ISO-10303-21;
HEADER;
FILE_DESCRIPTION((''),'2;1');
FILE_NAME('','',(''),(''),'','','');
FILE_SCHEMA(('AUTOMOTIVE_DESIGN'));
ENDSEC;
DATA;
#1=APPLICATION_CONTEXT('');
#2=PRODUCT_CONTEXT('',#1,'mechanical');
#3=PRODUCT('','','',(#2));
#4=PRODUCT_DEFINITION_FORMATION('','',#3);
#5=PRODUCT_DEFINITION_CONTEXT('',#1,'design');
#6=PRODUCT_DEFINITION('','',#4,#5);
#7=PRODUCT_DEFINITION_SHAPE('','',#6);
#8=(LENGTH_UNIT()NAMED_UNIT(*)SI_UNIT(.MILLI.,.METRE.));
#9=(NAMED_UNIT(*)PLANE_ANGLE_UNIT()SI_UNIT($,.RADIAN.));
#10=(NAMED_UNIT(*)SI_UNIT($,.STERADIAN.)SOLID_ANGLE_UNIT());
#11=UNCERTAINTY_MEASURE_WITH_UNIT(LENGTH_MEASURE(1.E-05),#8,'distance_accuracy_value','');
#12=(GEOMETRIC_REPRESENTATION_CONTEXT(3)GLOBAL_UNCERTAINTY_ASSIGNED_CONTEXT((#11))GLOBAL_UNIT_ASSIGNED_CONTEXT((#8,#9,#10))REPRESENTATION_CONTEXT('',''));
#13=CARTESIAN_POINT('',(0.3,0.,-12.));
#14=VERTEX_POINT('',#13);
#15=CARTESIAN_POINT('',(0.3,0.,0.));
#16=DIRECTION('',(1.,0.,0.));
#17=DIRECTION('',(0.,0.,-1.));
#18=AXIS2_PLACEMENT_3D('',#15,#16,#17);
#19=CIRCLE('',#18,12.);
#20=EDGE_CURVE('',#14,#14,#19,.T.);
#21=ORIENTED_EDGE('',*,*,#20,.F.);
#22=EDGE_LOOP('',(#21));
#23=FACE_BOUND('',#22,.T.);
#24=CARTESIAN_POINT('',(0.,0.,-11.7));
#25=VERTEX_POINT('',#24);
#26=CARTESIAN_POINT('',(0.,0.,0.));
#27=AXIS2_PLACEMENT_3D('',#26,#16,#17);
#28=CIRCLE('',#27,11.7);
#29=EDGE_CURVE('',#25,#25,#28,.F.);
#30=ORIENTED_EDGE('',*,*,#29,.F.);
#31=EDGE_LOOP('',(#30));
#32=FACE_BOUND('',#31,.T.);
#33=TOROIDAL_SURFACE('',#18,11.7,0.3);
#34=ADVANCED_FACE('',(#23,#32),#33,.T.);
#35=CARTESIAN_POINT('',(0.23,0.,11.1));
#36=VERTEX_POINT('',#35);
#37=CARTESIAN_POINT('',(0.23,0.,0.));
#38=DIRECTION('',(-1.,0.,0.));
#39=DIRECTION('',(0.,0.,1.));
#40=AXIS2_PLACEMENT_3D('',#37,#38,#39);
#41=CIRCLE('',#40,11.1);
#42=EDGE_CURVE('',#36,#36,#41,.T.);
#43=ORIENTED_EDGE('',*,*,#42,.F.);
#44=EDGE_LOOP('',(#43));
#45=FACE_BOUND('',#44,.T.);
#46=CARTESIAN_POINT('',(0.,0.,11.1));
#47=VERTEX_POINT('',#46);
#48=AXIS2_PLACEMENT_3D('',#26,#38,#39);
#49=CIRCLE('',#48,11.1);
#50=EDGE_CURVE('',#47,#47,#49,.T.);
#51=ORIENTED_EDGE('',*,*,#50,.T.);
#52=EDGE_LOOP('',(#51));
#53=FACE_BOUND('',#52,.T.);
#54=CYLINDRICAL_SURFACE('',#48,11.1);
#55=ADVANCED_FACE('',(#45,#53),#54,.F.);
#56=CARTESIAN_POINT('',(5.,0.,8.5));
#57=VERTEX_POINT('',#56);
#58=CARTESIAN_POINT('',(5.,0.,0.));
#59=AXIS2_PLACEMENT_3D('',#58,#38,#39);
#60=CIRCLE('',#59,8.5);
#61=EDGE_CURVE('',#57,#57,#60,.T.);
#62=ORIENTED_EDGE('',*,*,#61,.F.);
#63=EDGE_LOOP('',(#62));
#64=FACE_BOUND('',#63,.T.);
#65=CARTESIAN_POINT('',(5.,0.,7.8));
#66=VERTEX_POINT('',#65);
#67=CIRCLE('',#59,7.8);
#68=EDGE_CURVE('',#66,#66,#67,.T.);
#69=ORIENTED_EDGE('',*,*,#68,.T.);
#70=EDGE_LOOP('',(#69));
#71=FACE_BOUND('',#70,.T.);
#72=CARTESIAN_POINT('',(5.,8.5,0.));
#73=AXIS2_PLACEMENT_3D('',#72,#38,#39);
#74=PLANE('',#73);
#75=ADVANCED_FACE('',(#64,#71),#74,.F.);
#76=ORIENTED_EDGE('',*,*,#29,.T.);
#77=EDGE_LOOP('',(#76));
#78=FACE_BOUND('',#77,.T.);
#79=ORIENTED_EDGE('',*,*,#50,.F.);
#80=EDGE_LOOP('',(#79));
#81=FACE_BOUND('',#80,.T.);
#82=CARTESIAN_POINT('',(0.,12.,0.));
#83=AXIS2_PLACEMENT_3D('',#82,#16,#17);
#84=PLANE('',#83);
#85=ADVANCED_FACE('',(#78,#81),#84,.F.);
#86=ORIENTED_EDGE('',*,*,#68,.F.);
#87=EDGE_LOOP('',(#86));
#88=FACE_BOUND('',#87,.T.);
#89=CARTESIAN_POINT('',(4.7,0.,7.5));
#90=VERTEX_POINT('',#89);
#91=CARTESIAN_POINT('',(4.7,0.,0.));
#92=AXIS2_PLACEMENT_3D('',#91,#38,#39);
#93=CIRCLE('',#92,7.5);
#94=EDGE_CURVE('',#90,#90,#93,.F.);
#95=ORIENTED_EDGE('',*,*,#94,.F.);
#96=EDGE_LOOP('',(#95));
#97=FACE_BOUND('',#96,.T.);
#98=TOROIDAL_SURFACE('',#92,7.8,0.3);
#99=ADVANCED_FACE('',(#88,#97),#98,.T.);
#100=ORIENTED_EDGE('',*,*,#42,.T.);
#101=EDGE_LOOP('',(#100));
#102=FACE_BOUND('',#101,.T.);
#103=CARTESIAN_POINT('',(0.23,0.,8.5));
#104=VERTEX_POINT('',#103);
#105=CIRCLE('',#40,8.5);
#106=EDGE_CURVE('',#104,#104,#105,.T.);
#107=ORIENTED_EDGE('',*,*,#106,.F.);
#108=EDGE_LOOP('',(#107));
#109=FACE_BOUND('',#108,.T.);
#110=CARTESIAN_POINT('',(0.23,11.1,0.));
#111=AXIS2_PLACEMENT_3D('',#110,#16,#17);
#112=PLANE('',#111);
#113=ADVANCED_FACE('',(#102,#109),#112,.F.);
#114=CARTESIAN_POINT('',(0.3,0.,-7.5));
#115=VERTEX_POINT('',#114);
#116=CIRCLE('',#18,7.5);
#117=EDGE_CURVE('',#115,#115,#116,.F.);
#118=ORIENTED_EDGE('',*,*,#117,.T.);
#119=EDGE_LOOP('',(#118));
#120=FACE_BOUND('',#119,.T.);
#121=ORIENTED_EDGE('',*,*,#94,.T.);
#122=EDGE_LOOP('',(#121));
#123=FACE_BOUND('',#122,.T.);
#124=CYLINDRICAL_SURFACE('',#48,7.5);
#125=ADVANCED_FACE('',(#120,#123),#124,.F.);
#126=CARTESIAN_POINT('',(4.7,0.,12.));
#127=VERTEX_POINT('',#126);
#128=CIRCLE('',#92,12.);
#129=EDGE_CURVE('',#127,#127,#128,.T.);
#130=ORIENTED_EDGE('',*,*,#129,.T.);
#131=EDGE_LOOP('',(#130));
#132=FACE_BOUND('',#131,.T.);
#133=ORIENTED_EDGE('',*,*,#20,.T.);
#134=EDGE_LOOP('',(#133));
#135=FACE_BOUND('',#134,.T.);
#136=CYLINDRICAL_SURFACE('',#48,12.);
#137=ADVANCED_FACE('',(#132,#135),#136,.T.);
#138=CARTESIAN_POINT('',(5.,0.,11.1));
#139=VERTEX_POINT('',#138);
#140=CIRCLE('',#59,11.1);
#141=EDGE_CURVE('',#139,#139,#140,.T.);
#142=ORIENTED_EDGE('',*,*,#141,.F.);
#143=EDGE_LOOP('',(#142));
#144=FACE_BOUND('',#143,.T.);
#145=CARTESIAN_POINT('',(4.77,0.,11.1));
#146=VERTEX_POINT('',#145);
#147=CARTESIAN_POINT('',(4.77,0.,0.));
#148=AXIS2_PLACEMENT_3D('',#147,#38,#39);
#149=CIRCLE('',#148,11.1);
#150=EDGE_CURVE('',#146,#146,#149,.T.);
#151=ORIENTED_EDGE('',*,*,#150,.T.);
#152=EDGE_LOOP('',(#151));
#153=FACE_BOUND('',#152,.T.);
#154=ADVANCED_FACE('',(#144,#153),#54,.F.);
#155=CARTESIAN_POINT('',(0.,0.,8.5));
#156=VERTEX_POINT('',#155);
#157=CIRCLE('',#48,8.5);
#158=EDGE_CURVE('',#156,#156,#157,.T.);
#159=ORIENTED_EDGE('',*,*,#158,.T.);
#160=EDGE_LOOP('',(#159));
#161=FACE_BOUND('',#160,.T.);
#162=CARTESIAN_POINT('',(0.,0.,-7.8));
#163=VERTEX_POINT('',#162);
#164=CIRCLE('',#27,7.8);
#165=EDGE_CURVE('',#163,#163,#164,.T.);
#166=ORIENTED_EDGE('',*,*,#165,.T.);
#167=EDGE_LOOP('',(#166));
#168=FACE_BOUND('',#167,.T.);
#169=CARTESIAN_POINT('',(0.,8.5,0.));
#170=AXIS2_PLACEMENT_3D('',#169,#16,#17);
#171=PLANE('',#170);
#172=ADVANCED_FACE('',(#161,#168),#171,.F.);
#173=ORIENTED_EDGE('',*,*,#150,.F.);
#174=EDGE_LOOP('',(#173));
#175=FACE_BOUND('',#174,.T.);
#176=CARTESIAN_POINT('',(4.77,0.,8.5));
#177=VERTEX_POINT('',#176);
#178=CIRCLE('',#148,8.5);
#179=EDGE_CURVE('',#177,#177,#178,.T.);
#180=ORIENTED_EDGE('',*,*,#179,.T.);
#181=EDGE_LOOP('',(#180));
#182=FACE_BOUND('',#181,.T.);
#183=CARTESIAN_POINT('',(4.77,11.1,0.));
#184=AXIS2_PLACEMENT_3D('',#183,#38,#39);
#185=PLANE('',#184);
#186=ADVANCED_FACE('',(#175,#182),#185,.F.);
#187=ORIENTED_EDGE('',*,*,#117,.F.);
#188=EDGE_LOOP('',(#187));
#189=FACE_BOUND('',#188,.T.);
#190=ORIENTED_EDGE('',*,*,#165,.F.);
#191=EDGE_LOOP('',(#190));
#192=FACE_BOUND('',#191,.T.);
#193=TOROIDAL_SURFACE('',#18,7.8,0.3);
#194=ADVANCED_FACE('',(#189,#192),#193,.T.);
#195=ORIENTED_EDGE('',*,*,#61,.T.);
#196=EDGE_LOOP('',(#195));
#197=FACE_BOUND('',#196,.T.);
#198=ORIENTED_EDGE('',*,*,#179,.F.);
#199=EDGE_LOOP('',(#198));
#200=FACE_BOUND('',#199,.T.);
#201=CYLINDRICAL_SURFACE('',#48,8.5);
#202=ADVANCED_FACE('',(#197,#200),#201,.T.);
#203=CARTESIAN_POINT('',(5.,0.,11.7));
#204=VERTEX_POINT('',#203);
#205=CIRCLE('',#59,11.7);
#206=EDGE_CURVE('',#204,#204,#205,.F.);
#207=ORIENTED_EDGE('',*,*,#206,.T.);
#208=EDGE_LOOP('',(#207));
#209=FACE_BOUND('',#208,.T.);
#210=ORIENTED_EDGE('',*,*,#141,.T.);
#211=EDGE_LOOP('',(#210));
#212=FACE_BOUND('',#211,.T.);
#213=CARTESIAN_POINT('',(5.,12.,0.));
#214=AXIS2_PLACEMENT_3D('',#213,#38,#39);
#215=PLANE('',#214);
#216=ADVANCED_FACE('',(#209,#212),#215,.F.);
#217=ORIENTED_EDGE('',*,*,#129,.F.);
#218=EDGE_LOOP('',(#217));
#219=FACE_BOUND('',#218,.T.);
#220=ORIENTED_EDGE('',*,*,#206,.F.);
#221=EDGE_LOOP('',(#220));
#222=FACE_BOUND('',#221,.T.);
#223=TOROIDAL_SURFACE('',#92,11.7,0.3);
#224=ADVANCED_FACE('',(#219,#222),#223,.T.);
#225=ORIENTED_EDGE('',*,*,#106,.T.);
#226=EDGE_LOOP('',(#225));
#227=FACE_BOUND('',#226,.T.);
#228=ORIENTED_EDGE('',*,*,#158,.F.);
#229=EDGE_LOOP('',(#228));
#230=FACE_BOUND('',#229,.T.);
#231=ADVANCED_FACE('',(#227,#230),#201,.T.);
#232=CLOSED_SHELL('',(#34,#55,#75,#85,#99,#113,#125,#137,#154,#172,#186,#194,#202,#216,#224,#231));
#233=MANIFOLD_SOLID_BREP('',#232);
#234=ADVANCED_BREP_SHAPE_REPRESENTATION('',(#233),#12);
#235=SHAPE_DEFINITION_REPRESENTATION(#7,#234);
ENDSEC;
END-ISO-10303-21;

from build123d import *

# Parameters (mm, degrees)
FILLET1_R = 0.3
FILLET2_R = 0.3


with BuildPart() as part:
    # Sketch1 → Revolve1 (revolve)
    with BuildSketch(Plane.XY, mode=Mode.PRIVATE) as revolve1_sk:
        Polygon((0, 7.5), (5, 7.5), (5, 8.5), (4.77, 8.5), (4.77, 11.1), (5, 11.1), (5, 12), (0, 12), (0, 11.1), (0.23, 11.1), (0.23, 8.5), (0, 8.5), align=None)
    revolve(revolve1_sk.sketch.rotate(Axis((0, 0, 0), (1, 0, 0)), 90), axis=Axis((0, 0, 0), (1, 0, 0)))

    # Fillet1
    fillet1_edges = [part.edges().sort_by_distance(p)[0] for p in [
        (0, 0, -12),
        (5, 0, -12),
    ]]
    fillet(fillet1_edges, radius=FILLET1_R)

    # Fillet2
    fillet2_edges = [part.edges().sort_by_distance(p)[0] for p in [
        (5, 0, -7.5),
        (0, 0, -7.5),
    ]]
    fillet(fillet2_edges, radius=FILLET2_R)


solid = part.part
